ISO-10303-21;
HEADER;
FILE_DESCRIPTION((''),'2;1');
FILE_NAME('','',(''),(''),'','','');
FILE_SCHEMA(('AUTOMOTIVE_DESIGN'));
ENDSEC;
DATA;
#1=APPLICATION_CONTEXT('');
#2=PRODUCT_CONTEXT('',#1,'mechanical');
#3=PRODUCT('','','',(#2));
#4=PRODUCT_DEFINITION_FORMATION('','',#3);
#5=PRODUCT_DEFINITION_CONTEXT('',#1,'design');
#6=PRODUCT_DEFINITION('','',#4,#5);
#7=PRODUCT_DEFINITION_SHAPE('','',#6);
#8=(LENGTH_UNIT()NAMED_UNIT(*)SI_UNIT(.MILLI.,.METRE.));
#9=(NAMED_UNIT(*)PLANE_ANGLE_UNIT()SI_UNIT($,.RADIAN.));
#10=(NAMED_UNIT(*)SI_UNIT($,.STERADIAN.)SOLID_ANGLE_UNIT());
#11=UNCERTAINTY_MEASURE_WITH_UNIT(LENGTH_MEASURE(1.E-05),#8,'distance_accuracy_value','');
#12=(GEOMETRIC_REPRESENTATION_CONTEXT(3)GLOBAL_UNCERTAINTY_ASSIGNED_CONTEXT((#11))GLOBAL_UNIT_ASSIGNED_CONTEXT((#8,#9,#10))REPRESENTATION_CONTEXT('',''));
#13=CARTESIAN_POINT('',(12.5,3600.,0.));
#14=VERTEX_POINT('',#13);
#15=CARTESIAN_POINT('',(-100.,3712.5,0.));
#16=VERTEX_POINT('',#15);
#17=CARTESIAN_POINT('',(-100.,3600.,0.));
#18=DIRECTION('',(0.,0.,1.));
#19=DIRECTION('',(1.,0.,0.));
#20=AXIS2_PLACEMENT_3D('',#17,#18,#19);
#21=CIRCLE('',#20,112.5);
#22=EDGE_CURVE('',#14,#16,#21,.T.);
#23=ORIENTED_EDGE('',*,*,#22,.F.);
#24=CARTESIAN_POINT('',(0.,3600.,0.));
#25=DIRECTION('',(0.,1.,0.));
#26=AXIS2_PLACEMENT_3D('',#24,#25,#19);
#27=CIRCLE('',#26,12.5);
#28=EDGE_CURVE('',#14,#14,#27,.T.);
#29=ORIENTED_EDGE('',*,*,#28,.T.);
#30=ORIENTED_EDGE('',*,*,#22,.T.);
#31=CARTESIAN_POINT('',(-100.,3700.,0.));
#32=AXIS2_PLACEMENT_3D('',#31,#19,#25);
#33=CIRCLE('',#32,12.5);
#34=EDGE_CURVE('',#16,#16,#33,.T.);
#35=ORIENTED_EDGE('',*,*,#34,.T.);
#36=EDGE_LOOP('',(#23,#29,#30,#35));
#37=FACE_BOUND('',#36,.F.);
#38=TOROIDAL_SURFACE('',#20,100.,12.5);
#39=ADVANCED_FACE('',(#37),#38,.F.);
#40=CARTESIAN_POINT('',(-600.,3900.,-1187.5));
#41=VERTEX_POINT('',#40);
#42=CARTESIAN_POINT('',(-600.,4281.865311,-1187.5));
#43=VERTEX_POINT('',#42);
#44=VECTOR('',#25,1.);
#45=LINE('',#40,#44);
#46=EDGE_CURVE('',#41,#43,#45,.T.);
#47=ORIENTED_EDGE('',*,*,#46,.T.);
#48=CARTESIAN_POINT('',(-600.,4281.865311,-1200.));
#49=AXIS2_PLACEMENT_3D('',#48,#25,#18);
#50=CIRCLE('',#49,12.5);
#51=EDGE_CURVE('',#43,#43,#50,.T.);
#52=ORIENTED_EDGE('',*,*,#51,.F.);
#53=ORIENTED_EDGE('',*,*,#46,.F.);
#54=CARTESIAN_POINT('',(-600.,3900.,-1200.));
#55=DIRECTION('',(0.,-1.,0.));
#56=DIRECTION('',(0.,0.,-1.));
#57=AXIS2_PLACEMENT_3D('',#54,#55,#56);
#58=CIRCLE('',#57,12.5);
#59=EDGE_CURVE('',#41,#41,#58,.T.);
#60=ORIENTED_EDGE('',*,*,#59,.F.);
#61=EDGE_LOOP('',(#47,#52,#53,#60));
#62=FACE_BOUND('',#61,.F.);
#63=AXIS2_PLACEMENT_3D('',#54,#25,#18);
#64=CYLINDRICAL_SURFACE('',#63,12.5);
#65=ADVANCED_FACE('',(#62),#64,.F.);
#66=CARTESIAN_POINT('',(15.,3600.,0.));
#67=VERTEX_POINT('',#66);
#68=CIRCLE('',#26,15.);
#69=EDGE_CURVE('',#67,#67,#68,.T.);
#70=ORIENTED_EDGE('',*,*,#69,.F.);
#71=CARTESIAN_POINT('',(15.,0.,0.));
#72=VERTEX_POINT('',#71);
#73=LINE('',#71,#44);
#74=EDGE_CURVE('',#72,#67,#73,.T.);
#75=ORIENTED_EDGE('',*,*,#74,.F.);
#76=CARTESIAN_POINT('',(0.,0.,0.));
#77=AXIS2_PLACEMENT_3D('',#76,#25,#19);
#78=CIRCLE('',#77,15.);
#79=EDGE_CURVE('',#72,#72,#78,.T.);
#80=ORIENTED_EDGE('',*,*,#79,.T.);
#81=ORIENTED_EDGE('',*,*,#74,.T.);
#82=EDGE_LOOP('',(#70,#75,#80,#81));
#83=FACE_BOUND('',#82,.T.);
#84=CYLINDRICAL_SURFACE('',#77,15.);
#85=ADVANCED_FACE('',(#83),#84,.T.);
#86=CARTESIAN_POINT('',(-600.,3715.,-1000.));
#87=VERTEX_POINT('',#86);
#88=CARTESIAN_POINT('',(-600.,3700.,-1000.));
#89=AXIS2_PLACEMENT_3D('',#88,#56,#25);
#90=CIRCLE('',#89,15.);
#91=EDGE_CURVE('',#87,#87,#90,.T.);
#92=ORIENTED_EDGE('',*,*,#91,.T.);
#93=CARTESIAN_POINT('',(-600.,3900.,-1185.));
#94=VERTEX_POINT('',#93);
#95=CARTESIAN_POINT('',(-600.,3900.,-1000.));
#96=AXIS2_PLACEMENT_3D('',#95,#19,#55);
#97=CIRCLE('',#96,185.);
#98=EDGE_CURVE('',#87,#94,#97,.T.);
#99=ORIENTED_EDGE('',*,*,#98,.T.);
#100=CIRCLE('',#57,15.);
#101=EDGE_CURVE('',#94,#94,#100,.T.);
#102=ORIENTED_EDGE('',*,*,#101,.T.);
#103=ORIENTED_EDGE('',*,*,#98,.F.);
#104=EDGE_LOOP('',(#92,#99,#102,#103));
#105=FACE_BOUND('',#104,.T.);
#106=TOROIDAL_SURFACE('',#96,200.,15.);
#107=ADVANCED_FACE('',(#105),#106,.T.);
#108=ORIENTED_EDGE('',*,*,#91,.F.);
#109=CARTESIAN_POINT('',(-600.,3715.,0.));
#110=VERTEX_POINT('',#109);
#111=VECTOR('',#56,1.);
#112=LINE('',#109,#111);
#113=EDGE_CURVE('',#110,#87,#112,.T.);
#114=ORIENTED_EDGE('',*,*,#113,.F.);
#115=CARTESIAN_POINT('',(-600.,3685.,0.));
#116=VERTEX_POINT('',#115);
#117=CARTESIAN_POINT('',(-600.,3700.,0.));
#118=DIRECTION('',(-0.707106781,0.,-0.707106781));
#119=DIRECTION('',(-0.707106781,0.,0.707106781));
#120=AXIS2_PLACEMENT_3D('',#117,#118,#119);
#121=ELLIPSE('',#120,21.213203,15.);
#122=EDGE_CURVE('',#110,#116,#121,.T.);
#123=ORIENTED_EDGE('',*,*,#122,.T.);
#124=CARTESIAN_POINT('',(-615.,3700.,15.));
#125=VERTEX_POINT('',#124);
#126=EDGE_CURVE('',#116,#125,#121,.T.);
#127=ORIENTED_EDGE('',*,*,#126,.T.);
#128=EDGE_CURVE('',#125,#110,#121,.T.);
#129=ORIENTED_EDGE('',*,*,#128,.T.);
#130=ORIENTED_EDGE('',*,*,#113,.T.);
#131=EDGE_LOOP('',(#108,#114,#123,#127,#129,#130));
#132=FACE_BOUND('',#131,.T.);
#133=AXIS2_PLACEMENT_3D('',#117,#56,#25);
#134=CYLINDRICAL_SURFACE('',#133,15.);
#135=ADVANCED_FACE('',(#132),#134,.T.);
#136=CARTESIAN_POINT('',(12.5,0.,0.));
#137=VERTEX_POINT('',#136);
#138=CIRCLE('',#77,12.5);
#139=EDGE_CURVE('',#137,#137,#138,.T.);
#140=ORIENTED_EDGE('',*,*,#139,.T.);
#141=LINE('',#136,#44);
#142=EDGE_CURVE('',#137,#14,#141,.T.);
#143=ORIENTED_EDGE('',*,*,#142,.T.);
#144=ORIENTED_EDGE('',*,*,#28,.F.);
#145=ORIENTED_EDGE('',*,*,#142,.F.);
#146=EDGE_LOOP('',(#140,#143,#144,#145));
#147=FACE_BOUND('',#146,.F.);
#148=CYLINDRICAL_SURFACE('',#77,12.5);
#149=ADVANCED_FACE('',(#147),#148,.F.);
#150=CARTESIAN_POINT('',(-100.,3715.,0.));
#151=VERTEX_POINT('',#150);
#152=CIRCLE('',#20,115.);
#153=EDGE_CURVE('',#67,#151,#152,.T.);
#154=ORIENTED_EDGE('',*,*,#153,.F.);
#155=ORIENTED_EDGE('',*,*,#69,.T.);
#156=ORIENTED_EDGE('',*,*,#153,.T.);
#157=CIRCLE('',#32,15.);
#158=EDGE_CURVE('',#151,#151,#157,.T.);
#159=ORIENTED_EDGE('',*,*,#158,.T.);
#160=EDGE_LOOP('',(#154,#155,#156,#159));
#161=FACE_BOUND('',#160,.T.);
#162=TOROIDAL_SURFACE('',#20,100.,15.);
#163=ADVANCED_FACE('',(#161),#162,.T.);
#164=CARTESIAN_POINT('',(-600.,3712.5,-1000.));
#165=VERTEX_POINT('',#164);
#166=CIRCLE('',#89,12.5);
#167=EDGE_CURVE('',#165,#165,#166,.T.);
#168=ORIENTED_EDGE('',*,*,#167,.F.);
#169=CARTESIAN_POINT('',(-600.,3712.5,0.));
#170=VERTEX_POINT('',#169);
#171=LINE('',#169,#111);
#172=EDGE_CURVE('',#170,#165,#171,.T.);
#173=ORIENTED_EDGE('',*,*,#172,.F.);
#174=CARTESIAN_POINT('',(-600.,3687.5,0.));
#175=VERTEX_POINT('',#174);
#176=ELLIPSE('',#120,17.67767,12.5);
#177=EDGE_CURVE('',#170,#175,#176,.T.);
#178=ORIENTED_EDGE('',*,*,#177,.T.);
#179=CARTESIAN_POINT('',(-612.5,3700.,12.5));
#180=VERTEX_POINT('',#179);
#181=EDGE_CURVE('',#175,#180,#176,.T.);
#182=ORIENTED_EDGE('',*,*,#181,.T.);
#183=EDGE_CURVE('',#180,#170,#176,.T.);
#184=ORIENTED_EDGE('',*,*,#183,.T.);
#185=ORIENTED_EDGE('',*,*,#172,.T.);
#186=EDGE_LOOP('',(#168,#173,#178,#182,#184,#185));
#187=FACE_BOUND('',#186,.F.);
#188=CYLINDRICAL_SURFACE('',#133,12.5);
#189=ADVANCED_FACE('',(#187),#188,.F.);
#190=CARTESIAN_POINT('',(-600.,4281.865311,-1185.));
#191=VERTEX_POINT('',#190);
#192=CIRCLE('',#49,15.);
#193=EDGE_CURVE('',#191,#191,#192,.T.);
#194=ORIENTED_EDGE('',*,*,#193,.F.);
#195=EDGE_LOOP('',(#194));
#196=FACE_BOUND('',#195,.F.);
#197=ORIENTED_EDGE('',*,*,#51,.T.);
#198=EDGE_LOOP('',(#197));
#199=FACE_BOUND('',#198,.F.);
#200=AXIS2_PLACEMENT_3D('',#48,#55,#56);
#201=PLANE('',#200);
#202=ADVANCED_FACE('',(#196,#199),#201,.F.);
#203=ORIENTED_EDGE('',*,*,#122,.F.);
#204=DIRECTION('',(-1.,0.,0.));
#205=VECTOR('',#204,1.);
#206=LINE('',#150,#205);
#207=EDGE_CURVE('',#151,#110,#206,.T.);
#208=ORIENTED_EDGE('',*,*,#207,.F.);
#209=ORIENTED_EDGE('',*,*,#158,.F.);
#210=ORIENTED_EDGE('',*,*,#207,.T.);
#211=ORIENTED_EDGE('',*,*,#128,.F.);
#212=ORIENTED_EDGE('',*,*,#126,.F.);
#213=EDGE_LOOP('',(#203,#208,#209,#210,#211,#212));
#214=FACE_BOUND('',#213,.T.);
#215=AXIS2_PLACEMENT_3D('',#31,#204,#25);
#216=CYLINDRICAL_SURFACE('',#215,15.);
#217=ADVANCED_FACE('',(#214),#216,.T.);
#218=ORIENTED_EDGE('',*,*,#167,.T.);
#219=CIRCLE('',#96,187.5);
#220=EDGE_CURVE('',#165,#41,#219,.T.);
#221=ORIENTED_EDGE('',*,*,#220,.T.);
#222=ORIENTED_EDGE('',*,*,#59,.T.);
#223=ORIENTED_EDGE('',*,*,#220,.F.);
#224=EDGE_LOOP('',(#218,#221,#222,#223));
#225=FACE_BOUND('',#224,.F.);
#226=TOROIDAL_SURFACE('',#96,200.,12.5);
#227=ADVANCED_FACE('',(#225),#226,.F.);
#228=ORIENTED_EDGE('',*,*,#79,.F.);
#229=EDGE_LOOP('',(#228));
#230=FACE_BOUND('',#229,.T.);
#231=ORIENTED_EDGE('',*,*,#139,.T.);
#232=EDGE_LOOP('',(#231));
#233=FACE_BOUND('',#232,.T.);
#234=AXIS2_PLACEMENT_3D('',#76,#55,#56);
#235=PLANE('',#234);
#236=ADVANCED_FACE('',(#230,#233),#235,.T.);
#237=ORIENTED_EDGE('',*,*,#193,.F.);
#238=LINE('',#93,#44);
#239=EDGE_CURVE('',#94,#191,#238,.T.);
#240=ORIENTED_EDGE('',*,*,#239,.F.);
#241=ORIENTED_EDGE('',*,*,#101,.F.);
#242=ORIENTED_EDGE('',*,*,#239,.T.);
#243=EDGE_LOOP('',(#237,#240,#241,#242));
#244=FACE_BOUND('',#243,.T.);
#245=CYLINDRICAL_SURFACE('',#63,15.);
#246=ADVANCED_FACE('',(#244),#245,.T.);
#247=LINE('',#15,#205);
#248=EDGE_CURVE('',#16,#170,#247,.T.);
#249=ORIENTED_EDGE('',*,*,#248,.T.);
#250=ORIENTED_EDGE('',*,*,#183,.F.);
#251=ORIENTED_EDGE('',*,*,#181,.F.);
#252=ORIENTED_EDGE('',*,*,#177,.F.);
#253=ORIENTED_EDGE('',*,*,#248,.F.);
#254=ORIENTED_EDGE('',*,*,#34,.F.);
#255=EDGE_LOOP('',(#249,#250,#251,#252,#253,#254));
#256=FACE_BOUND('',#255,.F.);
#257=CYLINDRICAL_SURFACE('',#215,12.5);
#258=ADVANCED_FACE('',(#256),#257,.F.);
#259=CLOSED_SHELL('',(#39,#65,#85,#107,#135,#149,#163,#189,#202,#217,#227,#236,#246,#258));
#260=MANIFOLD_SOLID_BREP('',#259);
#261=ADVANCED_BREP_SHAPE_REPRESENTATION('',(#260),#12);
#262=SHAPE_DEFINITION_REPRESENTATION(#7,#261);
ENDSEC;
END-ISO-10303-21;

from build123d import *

# Parameters (mm, degrees)
F0_R   = 15
F0_R_2 = 12.5


with BuildPart() as f4:
    # F4: sweep along a path in F1, F3
    with BuildLine(Plane.XY) as f4_path:
        Line((0, 0), (0, 3600))
        ThreePointArc((0, 3600), (-29.2893218813, 3670.7106781187), (-100, 3700))
        Line((-100, 3700), (-600, 3700))
    with BuildLine(Plane.YZ.offset(-600)) as f4_path_2:
        Line((3700, 0), (3700, -1000))
        ThreePointArc((3700, -1000), (3758.5786437627, -1141.4213562373), (3900, -1200))
        Line((3900, -1200), (4281.8653106689, -1200))
    # F0 (on Front) → F4 (sweep)
    with BuildSketch(Plane.XZ):
        Circle(F0_R)
        Circle(F0_R_2, mode=Mode.SUBTRACT)
    sweep(path=f4_path.line + f4_path_2.line, transition=Transition.RIGHT)


solid = f4.part
